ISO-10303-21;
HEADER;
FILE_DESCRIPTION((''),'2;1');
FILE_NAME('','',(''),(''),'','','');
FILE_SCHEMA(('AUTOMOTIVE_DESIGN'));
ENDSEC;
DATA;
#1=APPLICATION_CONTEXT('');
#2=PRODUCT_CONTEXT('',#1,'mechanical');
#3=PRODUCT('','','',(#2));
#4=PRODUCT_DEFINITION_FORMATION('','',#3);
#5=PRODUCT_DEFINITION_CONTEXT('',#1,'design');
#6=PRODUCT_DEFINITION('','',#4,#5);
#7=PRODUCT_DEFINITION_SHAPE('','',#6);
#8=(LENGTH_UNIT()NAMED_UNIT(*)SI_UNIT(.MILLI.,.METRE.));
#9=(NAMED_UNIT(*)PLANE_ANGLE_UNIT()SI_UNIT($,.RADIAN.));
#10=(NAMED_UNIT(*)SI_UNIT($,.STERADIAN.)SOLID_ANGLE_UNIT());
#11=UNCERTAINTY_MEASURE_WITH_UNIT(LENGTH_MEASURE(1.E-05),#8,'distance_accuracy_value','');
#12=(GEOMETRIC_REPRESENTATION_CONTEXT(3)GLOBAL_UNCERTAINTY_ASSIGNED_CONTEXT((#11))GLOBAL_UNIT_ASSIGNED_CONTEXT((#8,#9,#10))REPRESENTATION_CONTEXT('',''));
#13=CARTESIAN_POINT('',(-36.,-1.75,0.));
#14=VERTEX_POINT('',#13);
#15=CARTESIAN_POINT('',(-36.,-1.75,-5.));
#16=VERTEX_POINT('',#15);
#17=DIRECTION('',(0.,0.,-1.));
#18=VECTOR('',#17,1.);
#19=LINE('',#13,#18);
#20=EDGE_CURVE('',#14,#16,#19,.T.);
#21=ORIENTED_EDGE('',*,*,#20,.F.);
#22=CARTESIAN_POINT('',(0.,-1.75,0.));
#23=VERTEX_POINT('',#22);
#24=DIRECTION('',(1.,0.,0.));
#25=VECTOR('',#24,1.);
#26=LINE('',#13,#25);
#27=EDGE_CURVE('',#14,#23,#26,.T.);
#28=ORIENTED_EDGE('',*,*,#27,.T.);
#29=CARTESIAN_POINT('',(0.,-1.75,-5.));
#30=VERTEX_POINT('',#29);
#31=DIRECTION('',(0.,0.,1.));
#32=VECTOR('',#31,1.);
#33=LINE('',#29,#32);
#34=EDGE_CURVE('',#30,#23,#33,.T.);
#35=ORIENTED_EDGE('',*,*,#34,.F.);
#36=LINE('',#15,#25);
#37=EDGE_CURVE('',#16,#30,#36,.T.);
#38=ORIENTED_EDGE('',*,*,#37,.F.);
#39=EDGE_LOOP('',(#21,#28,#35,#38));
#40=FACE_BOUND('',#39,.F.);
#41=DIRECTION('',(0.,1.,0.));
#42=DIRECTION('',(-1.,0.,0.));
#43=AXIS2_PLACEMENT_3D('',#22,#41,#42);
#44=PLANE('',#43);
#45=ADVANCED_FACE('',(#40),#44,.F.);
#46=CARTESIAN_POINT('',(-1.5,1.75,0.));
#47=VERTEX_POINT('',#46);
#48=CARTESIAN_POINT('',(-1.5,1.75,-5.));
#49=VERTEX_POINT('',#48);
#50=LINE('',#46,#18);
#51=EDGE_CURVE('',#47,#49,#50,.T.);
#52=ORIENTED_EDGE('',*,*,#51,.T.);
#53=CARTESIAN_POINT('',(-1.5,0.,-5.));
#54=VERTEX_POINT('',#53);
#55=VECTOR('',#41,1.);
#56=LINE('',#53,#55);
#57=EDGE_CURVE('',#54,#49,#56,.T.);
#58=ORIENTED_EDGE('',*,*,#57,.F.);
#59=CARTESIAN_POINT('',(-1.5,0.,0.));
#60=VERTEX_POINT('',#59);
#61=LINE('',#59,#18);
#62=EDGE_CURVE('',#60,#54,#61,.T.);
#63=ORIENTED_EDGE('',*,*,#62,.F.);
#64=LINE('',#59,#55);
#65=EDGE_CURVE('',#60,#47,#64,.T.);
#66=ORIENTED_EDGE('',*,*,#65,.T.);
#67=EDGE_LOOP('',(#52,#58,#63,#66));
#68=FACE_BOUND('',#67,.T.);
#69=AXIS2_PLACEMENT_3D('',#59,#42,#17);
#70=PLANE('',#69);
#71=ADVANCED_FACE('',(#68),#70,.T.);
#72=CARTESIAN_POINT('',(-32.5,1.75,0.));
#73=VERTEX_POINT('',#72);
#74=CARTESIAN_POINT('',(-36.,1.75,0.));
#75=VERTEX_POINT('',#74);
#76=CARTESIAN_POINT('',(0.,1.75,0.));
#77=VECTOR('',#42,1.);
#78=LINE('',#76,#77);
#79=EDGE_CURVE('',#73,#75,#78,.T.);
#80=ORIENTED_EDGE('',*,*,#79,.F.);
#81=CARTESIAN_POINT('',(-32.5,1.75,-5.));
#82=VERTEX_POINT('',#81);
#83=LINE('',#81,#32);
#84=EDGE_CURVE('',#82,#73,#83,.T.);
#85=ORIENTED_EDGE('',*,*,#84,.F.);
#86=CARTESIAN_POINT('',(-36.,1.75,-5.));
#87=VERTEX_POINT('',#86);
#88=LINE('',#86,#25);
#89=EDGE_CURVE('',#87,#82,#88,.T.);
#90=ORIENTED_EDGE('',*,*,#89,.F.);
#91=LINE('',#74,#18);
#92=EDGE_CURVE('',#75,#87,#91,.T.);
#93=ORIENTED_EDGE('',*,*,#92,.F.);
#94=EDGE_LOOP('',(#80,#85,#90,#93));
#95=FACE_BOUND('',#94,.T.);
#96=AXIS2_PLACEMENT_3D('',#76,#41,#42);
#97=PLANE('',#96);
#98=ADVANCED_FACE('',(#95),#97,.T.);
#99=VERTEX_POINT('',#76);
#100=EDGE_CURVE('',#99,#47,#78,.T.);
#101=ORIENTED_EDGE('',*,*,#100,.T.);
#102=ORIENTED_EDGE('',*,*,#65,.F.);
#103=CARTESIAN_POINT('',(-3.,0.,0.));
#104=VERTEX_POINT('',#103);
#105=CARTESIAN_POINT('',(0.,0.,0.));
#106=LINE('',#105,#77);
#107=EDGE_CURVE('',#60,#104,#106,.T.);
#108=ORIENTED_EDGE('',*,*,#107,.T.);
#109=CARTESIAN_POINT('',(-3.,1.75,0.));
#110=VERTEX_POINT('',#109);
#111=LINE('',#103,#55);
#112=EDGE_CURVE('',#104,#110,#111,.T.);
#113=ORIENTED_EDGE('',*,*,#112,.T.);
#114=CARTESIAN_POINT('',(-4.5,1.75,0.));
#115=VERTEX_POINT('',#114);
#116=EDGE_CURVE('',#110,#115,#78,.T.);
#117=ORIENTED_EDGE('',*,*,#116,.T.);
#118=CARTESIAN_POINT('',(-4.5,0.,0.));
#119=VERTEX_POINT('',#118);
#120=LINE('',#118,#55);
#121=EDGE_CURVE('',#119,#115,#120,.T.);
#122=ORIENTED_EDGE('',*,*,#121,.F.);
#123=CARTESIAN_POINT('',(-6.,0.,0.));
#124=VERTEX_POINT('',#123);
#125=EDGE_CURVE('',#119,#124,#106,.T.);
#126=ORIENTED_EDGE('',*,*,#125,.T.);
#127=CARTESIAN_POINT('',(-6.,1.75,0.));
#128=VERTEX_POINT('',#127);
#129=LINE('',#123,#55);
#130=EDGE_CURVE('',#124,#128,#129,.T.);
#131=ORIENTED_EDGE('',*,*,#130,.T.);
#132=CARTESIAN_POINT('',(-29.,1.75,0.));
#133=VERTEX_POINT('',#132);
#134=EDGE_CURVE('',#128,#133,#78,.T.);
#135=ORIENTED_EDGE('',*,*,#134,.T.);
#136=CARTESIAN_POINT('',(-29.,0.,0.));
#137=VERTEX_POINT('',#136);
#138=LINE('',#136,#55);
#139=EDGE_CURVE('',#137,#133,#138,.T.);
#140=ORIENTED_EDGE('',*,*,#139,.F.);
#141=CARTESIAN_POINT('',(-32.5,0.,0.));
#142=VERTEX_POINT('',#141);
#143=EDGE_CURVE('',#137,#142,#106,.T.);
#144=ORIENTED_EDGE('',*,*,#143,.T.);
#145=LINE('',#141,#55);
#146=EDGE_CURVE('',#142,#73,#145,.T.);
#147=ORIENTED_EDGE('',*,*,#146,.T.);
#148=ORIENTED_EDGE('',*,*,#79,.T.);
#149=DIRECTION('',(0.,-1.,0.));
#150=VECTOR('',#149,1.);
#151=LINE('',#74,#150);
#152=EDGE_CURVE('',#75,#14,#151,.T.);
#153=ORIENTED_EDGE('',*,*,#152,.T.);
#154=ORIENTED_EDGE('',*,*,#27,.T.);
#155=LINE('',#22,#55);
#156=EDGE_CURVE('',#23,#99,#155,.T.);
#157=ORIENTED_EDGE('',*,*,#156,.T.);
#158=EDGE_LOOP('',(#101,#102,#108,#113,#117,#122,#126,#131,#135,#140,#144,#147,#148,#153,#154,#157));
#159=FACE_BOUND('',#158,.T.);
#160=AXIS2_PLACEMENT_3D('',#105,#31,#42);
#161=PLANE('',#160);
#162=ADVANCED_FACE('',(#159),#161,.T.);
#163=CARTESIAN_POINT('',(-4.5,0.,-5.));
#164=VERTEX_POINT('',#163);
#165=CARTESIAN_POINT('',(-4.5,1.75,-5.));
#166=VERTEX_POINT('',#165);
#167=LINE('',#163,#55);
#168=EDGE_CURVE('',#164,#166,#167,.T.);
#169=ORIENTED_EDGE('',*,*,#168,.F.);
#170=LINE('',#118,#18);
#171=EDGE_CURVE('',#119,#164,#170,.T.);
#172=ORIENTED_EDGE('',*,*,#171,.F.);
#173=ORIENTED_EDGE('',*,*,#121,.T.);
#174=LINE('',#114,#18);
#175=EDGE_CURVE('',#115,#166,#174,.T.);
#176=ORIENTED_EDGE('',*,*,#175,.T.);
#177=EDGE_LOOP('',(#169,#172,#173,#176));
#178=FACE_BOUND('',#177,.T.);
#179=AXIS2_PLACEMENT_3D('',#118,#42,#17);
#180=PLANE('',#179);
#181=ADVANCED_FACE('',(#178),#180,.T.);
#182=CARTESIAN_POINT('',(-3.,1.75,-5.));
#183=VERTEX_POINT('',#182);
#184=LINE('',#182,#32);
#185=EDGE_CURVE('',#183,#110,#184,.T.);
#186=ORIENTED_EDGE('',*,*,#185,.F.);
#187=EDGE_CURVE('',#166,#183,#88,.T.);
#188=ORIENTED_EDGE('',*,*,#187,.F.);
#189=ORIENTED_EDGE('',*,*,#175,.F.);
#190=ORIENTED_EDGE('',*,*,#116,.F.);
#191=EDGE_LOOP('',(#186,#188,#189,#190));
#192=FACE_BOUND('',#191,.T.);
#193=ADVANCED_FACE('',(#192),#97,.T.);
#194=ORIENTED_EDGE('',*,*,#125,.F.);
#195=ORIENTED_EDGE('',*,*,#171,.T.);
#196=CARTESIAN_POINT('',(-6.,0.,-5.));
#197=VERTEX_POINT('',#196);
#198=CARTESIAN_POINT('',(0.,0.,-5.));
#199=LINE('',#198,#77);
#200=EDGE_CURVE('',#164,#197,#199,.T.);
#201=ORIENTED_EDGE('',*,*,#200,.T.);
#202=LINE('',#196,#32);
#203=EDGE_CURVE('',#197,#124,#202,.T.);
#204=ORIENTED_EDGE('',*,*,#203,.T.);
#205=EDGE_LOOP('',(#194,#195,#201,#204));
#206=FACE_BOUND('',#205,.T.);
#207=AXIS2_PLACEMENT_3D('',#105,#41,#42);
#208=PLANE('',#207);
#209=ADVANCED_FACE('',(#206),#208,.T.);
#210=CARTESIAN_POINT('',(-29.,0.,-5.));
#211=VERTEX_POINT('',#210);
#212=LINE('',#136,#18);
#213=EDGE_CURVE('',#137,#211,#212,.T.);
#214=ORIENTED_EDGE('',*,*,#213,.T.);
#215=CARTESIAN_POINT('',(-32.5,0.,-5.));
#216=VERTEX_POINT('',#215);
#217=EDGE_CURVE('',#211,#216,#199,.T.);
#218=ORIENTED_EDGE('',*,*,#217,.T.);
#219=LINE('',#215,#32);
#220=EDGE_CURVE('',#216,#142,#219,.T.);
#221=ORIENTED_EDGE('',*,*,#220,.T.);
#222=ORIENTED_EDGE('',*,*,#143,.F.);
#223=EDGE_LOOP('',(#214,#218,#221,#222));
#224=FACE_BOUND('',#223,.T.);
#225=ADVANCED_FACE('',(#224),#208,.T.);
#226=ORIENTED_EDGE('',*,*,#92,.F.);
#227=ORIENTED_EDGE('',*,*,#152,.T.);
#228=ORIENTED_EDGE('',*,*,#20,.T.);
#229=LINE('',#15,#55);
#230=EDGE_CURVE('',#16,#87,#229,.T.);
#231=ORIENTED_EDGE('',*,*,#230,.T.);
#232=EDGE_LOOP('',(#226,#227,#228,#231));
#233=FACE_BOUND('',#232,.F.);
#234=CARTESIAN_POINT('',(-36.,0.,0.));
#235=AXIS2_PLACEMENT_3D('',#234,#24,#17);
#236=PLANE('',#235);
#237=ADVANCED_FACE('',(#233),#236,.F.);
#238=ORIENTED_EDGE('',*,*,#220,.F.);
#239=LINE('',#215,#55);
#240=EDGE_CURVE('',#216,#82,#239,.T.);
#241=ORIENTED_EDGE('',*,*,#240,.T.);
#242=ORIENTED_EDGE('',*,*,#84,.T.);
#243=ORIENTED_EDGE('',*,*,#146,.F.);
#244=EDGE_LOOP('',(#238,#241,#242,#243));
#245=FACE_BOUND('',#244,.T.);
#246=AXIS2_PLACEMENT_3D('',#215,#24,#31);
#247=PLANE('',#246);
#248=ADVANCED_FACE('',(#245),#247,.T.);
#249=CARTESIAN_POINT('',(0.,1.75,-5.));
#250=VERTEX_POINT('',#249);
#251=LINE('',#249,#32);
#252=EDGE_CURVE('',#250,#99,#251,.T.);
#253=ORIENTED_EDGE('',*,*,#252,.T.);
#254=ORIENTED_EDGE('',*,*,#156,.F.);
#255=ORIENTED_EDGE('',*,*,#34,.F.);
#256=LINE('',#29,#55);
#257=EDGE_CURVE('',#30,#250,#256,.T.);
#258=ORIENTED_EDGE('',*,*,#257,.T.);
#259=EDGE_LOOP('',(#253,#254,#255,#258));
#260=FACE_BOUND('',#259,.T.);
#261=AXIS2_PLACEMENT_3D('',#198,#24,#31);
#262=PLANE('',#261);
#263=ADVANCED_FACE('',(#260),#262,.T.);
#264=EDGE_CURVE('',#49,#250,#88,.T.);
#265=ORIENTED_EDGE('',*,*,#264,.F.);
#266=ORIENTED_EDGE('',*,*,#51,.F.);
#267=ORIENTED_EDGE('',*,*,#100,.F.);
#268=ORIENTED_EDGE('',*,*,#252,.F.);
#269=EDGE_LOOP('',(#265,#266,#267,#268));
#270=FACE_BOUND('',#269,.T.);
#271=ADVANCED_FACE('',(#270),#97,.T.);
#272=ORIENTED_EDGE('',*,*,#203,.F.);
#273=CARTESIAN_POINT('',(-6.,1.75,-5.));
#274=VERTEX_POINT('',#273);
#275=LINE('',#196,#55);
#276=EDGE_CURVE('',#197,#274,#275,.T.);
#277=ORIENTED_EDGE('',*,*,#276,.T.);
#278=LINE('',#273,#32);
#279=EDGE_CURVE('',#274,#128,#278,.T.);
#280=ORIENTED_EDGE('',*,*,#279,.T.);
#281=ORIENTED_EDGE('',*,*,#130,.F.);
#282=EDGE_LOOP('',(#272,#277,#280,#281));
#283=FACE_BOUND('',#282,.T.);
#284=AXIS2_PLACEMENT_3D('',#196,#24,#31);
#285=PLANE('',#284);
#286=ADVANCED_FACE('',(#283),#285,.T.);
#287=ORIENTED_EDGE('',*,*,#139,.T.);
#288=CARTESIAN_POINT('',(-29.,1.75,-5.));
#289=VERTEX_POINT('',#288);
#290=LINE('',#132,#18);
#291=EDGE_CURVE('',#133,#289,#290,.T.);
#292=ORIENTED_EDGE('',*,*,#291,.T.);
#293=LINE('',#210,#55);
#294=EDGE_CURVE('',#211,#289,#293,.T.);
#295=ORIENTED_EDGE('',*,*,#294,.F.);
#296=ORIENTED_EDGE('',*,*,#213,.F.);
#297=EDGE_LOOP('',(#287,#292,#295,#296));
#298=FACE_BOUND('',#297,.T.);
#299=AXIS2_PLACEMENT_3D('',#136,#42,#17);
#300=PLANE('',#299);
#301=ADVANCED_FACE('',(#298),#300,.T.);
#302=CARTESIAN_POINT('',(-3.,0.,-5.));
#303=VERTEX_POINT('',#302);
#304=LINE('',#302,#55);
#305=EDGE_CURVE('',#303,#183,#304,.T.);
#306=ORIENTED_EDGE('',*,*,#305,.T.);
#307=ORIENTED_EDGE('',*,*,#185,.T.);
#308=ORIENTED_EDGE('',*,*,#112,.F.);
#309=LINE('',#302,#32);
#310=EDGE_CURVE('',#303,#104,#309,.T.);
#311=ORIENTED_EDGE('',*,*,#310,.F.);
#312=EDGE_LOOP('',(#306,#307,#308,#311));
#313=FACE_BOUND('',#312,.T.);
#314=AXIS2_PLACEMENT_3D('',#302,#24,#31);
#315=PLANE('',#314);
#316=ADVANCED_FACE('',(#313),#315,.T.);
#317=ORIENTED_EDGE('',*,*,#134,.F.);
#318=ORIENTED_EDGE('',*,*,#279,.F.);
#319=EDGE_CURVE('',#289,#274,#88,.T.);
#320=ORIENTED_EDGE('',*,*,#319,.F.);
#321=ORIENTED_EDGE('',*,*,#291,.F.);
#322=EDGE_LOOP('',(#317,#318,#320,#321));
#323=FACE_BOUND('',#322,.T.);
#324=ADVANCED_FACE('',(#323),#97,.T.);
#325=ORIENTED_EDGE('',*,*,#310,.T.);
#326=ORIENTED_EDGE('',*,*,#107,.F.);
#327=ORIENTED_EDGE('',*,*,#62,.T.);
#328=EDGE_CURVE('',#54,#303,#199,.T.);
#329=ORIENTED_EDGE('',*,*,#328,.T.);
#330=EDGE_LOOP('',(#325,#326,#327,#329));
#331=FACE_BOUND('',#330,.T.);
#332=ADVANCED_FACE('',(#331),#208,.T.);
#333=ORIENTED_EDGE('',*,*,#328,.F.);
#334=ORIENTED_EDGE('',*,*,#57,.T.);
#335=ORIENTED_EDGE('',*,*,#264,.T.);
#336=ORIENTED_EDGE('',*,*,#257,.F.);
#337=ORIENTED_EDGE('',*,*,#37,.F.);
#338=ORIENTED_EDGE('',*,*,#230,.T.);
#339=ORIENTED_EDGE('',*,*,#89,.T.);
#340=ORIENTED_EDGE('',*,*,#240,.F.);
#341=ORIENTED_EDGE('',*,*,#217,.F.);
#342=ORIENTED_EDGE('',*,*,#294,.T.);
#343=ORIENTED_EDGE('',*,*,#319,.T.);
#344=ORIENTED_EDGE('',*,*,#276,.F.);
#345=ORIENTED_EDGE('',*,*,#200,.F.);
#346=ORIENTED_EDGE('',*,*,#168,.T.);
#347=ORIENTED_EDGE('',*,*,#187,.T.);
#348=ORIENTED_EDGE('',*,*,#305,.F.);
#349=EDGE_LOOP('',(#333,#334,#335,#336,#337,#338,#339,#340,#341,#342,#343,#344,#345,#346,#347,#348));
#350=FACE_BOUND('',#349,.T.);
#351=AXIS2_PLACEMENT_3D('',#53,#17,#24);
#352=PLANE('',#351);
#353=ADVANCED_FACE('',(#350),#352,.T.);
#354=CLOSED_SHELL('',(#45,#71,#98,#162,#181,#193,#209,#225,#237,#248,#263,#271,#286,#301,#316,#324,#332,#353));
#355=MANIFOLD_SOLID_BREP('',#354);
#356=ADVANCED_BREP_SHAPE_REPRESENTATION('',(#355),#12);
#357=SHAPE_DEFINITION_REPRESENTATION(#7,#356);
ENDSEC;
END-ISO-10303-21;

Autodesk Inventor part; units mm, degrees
ref_plane "YZ Plane" through (0, 0, 0) normal (1, 0, 0) x (0, 1, 0)
ref_plane "XZ Plane" through (0, 0, 0) normal (0, 1, 0) x (-1, 0, 0)
ref_plane "XY Plane" through (0, 0, 0) normal (0, 0, 1) x (1, 0, 0)
sketch "Sketch1" plane through (0, 0, 0) normal (0, 1, 0) x (-1, 0, 0)
  line L0 (0, 0) -> (36, 0)
  line L1 (36, 0) -> (36, -5)
  line L2 (36, -5) -> (0, -5)
  line L3 (0, -5) -> (0, 0)
  line L4 (0, 0) -> (1.5, 0)
  line L5 (1.5, 0) -> (1.5, -5)
  line L6 (1.5, -5) -> (0, -5)
  line L7 (0, -5) -> (0, 0)
  line L8 (1.5, -5) -> (3, -5)
  line L9 (3, -5) -> (3, 0)
  line L10 (3, 0) -> (1.5, 0)
  line L11 (1.5, 0) -> (1.5, -5)
  line L12 (3, 0) -> (4.5, 0)
  line L13 (4.5, 0) -> (4.5, -5)
  line L14 (4.5, -5) -> (3, -5)
  line L15 (3, -5) -> (3, 0)
  line L16 (4.5, -5) -> (6, -5)
  line L17 (6, -5) -> (6, 0)
  line L18 (6, 0) -> (4.5, 0)
  line L19 (4.5, 0) -> (4.5, -5)
  line L20 (36, -5) -> (32.5, -5)
  line L21 (32.5, -5) -> (32.5, 0)
  line L22 (32.5, 0) -> (36, 0)
  line L23 (36, 0) -> (36, -5)
  line L24 (32.5, 0) -> (29, 0)
  line L25 (29, 0) -> (29, -5)
  line L26 (29, -5) -> (32.5, -5)
  line L27 (32.5, -5) -> (32.5, 0)
  dimension "d0" = 36
  dimension "d1" = 5
  dimension "d2" = 1.5
  dimension "d3" = 1.5
  dimension "d4" = 1.5
  dimension "d5" = 1.5
  dimension "d6" = 3.5
  dimension "d7" = 3.5
extrude "Extrusion1" add sketch "Sketch1" along normal blind 1.75 contours L0 L5 L2 L3 | L0 L13 L2 L9 | L0 L25 L2 L17 | L0 L1 L2 L21
extrude "Extrusion2" add sketch "Sketch1" against normal blind 1.75
properties part number "Wall Test"
